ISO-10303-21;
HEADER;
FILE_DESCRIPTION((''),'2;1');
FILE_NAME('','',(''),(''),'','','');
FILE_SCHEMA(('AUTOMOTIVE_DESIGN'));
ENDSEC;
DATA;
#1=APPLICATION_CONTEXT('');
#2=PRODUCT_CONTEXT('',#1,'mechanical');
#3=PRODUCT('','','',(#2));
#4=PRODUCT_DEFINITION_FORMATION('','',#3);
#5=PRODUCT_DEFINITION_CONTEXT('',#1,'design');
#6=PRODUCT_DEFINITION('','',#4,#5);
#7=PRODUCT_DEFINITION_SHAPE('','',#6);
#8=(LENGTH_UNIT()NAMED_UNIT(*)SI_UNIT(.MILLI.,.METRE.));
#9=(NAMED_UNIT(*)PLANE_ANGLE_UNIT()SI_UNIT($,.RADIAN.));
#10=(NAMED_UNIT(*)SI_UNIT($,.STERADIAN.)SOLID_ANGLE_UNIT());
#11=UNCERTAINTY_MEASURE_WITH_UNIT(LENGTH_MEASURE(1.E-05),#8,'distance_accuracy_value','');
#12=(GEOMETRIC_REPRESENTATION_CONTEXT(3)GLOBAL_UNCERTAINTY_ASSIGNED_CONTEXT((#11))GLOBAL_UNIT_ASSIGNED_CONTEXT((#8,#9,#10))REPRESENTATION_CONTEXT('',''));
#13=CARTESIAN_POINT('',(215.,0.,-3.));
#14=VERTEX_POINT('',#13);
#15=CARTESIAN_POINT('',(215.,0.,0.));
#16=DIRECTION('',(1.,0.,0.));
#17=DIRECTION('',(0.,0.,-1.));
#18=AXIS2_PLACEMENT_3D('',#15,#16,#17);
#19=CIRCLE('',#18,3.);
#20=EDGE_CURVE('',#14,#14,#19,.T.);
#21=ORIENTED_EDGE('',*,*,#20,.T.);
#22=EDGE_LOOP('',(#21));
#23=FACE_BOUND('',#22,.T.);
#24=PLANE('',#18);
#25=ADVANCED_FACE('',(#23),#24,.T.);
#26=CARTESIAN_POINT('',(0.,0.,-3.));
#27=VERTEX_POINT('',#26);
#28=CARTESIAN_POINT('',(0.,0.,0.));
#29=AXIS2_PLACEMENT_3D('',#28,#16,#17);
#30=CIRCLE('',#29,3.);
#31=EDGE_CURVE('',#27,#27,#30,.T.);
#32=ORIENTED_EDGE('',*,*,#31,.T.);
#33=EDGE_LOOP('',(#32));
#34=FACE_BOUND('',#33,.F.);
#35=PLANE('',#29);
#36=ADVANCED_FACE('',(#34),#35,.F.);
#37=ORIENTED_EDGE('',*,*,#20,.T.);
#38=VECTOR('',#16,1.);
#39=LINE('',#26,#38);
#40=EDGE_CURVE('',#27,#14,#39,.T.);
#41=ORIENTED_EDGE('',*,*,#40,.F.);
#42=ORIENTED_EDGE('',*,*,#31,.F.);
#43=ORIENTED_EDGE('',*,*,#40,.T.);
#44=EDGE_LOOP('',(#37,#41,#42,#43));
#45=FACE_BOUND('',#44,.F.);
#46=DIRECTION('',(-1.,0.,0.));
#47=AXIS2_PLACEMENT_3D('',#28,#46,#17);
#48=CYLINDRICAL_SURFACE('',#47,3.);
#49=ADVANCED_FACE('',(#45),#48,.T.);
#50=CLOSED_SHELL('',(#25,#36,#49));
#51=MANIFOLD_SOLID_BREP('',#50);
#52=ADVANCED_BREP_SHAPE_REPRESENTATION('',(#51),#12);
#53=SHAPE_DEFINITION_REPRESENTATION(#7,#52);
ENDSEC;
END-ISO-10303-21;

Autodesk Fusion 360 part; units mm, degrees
sketch "Sketch1" plane through (0, 0, 0) normal (1, 0, 0) x (0, 0, -1)
  circle A0 centre (0, 0) radius 3
  dimension "d1" = 6
extrude "Extrude1" add sketch "Sketch1" along normal blind 215
